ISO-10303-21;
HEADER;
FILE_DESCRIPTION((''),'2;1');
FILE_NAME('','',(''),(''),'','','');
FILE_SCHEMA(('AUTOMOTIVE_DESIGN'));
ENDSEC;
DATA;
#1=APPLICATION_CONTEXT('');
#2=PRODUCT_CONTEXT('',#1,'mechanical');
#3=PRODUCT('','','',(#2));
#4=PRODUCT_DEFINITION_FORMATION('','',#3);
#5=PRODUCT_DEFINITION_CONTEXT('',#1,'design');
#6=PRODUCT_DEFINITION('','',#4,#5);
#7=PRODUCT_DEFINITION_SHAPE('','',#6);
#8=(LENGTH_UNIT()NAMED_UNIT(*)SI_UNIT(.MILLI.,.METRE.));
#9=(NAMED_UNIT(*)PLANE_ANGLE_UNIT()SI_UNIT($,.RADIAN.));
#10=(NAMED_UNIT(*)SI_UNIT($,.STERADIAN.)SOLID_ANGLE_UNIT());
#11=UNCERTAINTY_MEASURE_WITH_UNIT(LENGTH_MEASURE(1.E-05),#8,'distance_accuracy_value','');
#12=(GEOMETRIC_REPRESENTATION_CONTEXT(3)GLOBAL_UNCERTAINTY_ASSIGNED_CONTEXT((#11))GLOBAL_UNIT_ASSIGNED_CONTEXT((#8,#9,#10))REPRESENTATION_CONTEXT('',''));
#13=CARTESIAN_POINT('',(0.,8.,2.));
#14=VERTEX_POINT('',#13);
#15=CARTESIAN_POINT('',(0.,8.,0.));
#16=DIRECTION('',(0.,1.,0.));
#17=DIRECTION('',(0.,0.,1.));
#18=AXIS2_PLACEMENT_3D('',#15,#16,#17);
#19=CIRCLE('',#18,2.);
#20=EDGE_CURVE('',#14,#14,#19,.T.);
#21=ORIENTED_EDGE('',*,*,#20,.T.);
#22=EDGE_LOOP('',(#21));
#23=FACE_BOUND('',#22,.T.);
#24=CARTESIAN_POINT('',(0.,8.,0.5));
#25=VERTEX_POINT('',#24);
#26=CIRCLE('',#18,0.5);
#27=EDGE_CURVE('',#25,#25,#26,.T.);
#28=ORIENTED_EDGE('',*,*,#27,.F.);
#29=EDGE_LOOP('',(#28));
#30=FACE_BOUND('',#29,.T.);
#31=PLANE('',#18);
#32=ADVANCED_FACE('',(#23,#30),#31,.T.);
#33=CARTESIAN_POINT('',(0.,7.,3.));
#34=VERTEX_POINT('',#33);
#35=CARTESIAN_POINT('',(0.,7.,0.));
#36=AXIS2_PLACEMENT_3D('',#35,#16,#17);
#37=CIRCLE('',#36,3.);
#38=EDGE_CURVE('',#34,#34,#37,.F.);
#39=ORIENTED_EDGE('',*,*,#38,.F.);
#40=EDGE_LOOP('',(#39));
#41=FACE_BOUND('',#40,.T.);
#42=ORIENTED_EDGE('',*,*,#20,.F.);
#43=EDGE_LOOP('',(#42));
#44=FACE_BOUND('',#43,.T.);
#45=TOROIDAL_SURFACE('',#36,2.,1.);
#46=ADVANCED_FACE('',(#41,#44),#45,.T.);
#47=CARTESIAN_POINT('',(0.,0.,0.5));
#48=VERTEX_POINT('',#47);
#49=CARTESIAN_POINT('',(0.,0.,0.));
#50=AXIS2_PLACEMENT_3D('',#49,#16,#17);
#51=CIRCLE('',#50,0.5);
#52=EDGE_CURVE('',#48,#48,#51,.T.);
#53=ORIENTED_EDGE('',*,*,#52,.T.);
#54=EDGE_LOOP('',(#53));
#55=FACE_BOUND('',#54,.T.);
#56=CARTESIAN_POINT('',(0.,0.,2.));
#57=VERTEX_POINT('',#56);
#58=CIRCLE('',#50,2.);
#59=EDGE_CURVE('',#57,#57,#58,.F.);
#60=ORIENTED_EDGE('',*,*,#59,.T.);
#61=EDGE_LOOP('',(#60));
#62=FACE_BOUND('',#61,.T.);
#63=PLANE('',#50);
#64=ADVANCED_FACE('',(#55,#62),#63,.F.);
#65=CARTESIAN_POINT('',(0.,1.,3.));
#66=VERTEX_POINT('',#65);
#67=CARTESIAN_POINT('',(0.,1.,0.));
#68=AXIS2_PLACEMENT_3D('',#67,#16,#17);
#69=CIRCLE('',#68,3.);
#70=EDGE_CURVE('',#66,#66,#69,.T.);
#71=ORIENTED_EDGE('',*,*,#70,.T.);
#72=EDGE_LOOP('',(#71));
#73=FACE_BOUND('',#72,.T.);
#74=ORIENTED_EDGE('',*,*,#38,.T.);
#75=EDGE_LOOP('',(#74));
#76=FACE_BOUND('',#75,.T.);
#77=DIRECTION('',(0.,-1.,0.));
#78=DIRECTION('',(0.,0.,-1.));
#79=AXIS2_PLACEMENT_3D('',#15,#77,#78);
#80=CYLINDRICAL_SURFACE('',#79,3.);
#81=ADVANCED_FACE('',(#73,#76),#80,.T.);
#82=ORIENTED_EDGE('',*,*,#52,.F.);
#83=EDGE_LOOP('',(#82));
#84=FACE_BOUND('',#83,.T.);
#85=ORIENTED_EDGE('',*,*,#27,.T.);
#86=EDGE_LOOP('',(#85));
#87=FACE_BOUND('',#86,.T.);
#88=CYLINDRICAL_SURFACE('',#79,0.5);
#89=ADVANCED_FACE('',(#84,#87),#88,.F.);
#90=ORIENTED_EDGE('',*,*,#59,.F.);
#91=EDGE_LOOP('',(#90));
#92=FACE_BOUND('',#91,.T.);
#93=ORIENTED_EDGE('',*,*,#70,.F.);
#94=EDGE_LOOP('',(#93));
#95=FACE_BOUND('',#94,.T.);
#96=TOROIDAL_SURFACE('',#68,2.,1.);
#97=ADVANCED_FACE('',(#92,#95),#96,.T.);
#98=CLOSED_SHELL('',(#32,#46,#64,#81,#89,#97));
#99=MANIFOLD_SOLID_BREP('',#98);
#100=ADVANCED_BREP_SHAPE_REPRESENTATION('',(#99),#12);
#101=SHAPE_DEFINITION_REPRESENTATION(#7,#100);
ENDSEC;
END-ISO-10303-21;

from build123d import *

# Parameters (mm, degrees)
SKETCH_1_R      = 3
SKETCH_1_R_2    = 0.5
EXTRUDE_1_DEPTH = 8
FILLET_1_R      = 1


with BuildPart() as part:
    # 草图1 → 凸台-拉伸1 (new body)
    with BuildSketch(Plane(origin=(0, 0, 0), x_dir=(1, 0, 0), z_dir=(0, 1, 0))):
        Circle(SKETCH_1_R)
        Circle(SKETCH_1_R_2, mode=Mode.SUBTRACT)
    extrude(amount=EXTRUDE_1_DEPTH)

    # 圆角1
    fillet_1_edges = [part.edges().sort_by_distance(p)[0] for p in [
        (-3, 0, 0),
        (-3, 8, 0),
    ]]
    fillet(fillet_1_edges, radius=FILLET_1_R)


solid = part.part
